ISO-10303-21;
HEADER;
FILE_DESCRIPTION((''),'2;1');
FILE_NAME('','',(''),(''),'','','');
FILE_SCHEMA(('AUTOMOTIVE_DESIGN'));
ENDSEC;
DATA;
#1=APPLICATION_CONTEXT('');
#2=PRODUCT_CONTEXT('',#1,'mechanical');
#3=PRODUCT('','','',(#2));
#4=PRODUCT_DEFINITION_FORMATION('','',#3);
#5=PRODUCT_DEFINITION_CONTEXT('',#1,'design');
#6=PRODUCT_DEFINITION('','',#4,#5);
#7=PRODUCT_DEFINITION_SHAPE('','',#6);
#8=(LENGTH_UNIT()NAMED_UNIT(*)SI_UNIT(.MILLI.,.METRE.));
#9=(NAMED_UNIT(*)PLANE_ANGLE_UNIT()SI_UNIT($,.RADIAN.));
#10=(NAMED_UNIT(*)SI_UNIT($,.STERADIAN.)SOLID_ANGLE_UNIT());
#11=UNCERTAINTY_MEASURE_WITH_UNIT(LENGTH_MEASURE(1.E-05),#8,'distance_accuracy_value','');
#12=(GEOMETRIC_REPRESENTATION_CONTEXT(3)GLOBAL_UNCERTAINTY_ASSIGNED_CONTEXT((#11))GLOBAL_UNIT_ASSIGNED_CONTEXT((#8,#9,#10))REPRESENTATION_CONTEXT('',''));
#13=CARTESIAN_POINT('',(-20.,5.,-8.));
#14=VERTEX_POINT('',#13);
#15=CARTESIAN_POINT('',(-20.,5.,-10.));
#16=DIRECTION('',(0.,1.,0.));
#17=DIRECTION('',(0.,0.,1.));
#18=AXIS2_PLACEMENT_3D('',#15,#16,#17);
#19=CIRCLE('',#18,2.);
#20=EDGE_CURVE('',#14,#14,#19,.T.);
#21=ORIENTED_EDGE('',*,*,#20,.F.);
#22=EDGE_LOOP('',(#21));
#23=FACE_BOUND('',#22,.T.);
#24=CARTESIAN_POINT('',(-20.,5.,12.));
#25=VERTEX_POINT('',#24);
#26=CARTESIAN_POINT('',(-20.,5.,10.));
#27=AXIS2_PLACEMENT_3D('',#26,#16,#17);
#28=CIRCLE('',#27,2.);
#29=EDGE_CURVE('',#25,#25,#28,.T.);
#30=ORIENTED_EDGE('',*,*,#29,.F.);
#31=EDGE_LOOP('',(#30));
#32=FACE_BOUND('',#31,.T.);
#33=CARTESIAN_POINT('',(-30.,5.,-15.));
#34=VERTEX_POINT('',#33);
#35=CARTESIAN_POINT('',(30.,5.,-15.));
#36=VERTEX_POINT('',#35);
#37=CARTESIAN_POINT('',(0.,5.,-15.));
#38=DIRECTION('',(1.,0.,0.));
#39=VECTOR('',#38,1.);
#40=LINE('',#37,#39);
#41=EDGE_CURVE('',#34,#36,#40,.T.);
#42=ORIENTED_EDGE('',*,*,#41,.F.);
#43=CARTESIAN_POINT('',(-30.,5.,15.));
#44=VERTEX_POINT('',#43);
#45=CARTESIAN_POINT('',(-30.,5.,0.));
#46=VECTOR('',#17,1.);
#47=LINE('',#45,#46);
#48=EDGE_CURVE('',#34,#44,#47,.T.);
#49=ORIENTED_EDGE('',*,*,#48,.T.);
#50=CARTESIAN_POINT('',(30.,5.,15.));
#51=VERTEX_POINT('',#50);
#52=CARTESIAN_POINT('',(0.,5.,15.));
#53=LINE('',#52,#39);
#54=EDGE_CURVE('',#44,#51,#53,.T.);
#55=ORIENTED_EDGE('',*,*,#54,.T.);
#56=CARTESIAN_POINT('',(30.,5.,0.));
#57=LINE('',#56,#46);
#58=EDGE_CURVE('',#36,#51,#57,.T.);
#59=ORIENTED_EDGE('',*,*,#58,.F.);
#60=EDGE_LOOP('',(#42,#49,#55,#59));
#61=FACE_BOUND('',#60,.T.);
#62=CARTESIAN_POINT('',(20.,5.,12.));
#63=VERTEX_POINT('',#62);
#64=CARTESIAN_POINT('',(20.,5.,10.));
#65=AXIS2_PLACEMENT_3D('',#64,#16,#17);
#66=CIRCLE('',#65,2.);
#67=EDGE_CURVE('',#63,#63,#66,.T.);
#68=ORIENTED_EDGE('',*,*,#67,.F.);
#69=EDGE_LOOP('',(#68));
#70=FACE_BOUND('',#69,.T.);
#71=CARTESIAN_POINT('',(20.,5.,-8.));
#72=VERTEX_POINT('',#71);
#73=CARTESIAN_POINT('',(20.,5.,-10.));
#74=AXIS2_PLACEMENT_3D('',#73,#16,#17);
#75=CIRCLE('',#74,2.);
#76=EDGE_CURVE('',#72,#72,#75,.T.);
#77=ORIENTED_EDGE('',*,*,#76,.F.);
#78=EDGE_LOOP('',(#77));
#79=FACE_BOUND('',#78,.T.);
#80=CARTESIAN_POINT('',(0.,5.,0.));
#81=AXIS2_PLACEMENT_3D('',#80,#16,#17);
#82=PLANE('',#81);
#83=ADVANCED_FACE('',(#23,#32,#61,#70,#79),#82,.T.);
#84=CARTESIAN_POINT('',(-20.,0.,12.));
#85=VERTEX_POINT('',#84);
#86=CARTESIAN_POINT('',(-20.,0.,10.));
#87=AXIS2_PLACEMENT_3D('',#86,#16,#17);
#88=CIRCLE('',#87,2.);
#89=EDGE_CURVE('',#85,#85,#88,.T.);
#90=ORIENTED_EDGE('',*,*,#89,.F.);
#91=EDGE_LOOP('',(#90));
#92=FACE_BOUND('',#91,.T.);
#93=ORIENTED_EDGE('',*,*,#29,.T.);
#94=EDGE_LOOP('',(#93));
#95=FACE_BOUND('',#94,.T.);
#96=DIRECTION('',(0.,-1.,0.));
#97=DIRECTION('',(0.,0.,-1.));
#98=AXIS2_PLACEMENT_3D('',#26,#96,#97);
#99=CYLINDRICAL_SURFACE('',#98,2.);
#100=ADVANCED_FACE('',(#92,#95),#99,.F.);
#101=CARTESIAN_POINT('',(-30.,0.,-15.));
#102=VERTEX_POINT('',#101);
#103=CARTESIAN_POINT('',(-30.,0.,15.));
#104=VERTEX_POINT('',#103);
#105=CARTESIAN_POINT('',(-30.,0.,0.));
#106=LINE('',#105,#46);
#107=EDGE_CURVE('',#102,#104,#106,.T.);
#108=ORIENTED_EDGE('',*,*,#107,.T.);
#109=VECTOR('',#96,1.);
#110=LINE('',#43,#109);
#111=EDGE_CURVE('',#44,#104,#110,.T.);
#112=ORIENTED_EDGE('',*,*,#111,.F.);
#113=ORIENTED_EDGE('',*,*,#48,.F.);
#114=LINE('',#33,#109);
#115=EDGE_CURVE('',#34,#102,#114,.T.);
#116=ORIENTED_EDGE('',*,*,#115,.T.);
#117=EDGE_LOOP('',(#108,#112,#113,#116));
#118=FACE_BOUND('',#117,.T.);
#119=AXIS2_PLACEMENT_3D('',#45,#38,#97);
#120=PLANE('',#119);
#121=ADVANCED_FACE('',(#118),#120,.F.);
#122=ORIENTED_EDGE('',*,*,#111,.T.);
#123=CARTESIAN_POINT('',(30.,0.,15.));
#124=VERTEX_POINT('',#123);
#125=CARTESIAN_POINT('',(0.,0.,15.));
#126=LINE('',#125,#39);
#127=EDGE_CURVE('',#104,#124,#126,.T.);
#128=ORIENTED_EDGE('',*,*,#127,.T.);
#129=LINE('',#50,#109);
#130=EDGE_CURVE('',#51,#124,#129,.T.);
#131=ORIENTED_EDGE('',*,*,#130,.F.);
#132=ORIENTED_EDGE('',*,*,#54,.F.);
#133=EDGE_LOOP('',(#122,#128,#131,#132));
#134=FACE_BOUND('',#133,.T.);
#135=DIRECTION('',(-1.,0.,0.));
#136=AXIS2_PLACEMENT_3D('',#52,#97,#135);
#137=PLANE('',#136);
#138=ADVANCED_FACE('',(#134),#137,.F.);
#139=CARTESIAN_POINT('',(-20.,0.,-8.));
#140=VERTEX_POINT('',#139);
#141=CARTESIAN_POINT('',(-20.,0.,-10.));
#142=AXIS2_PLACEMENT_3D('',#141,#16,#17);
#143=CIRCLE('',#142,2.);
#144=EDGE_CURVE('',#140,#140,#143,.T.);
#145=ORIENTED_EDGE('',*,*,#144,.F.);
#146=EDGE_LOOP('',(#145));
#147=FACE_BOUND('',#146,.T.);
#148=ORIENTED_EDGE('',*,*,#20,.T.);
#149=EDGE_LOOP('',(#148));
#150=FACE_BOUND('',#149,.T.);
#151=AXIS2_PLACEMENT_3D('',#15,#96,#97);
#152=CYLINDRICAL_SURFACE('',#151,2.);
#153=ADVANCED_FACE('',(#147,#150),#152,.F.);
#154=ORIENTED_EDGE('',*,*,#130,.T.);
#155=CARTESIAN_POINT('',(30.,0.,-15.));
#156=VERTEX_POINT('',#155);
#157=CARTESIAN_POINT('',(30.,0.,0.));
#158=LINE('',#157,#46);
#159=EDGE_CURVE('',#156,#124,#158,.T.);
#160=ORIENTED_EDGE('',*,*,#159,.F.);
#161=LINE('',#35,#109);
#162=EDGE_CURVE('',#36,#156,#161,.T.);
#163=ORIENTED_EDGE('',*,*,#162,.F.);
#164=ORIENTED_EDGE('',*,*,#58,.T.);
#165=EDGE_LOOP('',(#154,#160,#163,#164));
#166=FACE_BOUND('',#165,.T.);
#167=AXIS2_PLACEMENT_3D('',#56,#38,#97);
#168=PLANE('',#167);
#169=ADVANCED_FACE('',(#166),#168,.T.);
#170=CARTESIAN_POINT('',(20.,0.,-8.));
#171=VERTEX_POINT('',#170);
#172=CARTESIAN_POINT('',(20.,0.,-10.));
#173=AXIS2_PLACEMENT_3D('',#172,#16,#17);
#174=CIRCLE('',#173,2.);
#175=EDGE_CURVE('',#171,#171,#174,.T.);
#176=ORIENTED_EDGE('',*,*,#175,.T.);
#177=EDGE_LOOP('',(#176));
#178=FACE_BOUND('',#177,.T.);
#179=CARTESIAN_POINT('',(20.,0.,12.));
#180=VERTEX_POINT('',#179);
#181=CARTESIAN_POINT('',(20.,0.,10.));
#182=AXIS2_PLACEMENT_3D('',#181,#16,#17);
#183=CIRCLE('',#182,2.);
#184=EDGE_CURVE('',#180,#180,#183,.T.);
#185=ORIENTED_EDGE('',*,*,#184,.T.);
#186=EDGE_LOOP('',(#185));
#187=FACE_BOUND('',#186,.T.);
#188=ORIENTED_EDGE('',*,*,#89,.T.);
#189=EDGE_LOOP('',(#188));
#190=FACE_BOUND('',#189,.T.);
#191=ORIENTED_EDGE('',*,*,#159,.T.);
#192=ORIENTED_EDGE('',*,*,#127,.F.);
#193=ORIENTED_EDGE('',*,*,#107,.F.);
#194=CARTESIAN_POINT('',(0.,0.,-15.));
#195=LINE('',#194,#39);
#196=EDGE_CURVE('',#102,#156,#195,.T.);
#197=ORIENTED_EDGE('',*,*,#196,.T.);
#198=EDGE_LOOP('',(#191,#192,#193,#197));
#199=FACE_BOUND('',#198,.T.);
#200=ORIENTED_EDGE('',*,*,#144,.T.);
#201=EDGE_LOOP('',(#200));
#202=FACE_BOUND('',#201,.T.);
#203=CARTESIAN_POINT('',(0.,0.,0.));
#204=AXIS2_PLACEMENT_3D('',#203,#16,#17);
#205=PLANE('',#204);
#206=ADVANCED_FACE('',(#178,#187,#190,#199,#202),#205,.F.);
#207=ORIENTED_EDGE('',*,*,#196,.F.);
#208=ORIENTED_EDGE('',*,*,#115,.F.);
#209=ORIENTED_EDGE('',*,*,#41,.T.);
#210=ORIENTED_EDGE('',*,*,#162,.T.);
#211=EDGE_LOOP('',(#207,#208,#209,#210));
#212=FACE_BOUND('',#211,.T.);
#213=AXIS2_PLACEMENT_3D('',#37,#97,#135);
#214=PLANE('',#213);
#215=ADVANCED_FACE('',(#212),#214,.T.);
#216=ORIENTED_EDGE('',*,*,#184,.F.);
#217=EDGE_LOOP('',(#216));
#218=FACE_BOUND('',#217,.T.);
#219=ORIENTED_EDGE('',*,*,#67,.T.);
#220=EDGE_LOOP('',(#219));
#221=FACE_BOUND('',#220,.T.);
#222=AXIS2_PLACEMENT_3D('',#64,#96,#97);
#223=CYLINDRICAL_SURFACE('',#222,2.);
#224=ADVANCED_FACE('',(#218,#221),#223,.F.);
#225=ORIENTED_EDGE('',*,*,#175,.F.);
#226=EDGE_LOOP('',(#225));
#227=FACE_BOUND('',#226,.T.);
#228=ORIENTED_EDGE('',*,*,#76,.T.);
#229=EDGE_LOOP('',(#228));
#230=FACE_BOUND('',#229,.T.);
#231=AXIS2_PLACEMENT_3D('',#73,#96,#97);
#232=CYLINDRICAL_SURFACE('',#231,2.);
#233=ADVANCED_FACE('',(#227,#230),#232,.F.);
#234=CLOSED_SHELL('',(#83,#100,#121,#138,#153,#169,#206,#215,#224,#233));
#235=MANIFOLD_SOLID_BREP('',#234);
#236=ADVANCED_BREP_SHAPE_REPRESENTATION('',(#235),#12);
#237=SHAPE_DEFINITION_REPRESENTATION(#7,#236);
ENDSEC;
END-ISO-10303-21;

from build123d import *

# Parameters (mm, degrees)
SKETCH_1_W      = 60
SKETCH_1_H      = 30
SKETCH_1_R      = 2
EXTRUDE_1_DEPTH = 5


with BuildPart() as part:
    # 草图1 → 凸台-拉伸1 (new body)
    with BuildSketch(Plane(origin=(0, 0, 0), x_dir=(1, 0, 0), z_dir=(0, 1, 0))):
        Rectangle(SKETCH_1_W, SKETCH_1_H)
        with Locations(Location((-20, 10, 0), (0, 0, 270))):
            Circle(SKETCH_1_R, mode=Mode.SUBTRACT)
        with Locations(Location((20, 10, 0), (0, 0, 270))):
            Circle(SKETCH_1_R, mode=Mode.SUBTRACT)
        with Locations(Location((-20, -10, 0), (0, 0, 270))):
            Circle(SKETCH_1_R, mode=Mode.SUBTRACT)
        with Locations(Location((20, -10, 0), (0, 0, 270))):
            Circle(SKETCH_1_R, mode=Mode.SUBTRACT)
    extrude(amount=EXTRUDE_1_DEPTH)


solid = part.part
